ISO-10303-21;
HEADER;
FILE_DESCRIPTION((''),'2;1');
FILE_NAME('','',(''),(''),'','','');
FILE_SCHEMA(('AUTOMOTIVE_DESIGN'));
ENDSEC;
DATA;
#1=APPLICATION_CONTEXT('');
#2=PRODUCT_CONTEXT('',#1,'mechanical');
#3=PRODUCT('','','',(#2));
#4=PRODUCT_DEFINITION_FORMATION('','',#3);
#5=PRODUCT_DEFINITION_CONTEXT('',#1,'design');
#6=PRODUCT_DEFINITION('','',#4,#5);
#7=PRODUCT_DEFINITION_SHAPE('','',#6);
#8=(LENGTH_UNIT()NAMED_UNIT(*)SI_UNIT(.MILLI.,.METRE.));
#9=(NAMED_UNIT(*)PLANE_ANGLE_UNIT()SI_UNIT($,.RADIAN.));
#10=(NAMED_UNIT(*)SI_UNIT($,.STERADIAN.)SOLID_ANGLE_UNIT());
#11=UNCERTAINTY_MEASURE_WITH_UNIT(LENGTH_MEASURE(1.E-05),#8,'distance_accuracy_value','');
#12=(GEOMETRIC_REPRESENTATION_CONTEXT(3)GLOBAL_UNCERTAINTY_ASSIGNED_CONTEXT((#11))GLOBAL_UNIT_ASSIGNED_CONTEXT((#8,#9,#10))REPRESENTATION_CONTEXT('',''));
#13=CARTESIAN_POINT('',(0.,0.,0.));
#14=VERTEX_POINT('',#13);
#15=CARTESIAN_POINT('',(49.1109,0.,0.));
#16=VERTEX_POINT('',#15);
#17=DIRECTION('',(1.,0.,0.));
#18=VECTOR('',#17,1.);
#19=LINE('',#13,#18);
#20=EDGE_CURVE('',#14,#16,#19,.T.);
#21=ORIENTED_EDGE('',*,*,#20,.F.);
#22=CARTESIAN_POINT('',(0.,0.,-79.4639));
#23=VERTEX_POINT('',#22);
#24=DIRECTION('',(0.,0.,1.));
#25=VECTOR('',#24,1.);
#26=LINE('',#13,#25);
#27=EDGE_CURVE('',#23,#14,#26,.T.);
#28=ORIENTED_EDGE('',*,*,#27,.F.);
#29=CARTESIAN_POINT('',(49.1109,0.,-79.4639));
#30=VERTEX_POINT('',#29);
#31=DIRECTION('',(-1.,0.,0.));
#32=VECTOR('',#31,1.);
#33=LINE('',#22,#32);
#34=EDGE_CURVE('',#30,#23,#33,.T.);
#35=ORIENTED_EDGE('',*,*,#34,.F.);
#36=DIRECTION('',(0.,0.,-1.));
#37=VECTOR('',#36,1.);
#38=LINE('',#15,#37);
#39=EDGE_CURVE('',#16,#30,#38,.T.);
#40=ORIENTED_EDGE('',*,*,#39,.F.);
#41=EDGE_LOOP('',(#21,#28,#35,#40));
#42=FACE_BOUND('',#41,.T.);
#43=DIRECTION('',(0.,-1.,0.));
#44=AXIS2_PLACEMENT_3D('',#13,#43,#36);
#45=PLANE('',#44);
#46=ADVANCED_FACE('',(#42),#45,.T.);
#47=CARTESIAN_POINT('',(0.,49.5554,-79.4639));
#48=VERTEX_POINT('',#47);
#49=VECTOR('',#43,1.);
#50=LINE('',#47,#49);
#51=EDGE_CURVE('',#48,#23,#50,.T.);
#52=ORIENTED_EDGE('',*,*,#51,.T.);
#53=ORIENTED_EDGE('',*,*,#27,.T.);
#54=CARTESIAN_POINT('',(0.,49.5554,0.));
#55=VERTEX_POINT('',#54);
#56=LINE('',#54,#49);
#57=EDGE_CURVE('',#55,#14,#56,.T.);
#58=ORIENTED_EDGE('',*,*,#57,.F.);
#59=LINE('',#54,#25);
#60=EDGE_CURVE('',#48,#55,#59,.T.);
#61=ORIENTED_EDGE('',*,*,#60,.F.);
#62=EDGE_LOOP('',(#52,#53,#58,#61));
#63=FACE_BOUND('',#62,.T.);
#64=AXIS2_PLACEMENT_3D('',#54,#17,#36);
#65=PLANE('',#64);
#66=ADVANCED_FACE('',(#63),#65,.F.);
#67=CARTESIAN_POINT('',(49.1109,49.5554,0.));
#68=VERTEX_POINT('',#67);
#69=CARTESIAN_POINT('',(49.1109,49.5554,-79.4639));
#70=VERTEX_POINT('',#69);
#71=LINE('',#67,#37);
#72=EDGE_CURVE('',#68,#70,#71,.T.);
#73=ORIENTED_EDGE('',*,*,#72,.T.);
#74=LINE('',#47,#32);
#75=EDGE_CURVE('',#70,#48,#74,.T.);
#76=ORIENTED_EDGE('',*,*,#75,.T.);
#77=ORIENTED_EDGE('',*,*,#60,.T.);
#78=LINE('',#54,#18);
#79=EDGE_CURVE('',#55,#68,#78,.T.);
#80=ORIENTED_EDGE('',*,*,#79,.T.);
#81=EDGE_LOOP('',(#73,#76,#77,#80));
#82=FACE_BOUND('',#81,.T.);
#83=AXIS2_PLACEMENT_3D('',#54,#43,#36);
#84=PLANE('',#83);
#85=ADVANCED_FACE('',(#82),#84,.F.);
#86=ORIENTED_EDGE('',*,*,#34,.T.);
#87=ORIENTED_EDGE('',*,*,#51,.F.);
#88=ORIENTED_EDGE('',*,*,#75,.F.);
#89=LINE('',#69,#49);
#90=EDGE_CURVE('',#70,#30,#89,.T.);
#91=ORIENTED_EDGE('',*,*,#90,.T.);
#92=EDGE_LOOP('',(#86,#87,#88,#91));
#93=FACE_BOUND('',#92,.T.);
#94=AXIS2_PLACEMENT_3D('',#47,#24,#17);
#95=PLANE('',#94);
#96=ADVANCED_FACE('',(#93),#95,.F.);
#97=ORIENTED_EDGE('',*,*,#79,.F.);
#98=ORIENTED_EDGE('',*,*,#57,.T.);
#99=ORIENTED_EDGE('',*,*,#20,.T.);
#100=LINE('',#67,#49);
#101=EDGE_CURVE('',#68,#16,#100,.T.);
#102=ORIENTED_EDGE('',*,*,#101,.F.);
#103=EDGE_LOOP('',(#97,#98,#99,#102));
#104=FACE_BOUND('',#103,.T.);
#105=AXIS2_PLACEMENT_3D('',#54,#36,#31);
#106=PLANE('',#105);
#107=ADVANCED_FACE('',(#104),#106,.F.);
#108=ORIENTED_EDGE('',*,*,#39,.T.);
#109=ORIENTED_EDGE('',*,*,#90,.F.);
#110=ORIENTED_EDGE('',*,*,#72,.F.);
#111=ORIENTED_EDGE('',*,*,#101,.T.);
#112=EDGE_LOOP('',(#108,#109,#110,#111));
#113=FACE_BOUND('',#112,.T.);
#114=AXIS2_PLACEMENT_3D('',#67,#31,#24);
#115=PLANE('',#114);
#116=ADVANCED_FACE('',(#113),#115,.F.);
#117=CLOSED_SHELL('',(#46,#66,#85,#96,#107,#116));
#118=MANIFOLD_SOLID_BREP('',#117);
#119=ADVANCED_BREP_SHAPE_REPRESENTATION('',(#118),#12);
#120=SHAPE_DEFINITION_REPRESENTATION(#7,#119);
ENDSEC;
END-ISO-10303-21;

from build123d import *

# Parameters (mm, degrees)
SKETCH1_W           = 49.1109
SKETCH1_H           = 79.4639
BOSS_EXTRUDE1_DEPTH = 49.5554


with BuildPart() as part:
    # Sketch1 → Boss-Extrude1 (new body)
    with BuildSketch(Plane(origin=(0, 0, 0), x_dir=(1, 0, 0), z_dir=(0, 1, 0))):
        with Locations((24.55545, 39.73195)):
            Rectangle(SKETCH1_W, SKETCH1_H)
    extrude(amount=BOSS_EXTRUDE1_DEPTH)


solid = part.part
